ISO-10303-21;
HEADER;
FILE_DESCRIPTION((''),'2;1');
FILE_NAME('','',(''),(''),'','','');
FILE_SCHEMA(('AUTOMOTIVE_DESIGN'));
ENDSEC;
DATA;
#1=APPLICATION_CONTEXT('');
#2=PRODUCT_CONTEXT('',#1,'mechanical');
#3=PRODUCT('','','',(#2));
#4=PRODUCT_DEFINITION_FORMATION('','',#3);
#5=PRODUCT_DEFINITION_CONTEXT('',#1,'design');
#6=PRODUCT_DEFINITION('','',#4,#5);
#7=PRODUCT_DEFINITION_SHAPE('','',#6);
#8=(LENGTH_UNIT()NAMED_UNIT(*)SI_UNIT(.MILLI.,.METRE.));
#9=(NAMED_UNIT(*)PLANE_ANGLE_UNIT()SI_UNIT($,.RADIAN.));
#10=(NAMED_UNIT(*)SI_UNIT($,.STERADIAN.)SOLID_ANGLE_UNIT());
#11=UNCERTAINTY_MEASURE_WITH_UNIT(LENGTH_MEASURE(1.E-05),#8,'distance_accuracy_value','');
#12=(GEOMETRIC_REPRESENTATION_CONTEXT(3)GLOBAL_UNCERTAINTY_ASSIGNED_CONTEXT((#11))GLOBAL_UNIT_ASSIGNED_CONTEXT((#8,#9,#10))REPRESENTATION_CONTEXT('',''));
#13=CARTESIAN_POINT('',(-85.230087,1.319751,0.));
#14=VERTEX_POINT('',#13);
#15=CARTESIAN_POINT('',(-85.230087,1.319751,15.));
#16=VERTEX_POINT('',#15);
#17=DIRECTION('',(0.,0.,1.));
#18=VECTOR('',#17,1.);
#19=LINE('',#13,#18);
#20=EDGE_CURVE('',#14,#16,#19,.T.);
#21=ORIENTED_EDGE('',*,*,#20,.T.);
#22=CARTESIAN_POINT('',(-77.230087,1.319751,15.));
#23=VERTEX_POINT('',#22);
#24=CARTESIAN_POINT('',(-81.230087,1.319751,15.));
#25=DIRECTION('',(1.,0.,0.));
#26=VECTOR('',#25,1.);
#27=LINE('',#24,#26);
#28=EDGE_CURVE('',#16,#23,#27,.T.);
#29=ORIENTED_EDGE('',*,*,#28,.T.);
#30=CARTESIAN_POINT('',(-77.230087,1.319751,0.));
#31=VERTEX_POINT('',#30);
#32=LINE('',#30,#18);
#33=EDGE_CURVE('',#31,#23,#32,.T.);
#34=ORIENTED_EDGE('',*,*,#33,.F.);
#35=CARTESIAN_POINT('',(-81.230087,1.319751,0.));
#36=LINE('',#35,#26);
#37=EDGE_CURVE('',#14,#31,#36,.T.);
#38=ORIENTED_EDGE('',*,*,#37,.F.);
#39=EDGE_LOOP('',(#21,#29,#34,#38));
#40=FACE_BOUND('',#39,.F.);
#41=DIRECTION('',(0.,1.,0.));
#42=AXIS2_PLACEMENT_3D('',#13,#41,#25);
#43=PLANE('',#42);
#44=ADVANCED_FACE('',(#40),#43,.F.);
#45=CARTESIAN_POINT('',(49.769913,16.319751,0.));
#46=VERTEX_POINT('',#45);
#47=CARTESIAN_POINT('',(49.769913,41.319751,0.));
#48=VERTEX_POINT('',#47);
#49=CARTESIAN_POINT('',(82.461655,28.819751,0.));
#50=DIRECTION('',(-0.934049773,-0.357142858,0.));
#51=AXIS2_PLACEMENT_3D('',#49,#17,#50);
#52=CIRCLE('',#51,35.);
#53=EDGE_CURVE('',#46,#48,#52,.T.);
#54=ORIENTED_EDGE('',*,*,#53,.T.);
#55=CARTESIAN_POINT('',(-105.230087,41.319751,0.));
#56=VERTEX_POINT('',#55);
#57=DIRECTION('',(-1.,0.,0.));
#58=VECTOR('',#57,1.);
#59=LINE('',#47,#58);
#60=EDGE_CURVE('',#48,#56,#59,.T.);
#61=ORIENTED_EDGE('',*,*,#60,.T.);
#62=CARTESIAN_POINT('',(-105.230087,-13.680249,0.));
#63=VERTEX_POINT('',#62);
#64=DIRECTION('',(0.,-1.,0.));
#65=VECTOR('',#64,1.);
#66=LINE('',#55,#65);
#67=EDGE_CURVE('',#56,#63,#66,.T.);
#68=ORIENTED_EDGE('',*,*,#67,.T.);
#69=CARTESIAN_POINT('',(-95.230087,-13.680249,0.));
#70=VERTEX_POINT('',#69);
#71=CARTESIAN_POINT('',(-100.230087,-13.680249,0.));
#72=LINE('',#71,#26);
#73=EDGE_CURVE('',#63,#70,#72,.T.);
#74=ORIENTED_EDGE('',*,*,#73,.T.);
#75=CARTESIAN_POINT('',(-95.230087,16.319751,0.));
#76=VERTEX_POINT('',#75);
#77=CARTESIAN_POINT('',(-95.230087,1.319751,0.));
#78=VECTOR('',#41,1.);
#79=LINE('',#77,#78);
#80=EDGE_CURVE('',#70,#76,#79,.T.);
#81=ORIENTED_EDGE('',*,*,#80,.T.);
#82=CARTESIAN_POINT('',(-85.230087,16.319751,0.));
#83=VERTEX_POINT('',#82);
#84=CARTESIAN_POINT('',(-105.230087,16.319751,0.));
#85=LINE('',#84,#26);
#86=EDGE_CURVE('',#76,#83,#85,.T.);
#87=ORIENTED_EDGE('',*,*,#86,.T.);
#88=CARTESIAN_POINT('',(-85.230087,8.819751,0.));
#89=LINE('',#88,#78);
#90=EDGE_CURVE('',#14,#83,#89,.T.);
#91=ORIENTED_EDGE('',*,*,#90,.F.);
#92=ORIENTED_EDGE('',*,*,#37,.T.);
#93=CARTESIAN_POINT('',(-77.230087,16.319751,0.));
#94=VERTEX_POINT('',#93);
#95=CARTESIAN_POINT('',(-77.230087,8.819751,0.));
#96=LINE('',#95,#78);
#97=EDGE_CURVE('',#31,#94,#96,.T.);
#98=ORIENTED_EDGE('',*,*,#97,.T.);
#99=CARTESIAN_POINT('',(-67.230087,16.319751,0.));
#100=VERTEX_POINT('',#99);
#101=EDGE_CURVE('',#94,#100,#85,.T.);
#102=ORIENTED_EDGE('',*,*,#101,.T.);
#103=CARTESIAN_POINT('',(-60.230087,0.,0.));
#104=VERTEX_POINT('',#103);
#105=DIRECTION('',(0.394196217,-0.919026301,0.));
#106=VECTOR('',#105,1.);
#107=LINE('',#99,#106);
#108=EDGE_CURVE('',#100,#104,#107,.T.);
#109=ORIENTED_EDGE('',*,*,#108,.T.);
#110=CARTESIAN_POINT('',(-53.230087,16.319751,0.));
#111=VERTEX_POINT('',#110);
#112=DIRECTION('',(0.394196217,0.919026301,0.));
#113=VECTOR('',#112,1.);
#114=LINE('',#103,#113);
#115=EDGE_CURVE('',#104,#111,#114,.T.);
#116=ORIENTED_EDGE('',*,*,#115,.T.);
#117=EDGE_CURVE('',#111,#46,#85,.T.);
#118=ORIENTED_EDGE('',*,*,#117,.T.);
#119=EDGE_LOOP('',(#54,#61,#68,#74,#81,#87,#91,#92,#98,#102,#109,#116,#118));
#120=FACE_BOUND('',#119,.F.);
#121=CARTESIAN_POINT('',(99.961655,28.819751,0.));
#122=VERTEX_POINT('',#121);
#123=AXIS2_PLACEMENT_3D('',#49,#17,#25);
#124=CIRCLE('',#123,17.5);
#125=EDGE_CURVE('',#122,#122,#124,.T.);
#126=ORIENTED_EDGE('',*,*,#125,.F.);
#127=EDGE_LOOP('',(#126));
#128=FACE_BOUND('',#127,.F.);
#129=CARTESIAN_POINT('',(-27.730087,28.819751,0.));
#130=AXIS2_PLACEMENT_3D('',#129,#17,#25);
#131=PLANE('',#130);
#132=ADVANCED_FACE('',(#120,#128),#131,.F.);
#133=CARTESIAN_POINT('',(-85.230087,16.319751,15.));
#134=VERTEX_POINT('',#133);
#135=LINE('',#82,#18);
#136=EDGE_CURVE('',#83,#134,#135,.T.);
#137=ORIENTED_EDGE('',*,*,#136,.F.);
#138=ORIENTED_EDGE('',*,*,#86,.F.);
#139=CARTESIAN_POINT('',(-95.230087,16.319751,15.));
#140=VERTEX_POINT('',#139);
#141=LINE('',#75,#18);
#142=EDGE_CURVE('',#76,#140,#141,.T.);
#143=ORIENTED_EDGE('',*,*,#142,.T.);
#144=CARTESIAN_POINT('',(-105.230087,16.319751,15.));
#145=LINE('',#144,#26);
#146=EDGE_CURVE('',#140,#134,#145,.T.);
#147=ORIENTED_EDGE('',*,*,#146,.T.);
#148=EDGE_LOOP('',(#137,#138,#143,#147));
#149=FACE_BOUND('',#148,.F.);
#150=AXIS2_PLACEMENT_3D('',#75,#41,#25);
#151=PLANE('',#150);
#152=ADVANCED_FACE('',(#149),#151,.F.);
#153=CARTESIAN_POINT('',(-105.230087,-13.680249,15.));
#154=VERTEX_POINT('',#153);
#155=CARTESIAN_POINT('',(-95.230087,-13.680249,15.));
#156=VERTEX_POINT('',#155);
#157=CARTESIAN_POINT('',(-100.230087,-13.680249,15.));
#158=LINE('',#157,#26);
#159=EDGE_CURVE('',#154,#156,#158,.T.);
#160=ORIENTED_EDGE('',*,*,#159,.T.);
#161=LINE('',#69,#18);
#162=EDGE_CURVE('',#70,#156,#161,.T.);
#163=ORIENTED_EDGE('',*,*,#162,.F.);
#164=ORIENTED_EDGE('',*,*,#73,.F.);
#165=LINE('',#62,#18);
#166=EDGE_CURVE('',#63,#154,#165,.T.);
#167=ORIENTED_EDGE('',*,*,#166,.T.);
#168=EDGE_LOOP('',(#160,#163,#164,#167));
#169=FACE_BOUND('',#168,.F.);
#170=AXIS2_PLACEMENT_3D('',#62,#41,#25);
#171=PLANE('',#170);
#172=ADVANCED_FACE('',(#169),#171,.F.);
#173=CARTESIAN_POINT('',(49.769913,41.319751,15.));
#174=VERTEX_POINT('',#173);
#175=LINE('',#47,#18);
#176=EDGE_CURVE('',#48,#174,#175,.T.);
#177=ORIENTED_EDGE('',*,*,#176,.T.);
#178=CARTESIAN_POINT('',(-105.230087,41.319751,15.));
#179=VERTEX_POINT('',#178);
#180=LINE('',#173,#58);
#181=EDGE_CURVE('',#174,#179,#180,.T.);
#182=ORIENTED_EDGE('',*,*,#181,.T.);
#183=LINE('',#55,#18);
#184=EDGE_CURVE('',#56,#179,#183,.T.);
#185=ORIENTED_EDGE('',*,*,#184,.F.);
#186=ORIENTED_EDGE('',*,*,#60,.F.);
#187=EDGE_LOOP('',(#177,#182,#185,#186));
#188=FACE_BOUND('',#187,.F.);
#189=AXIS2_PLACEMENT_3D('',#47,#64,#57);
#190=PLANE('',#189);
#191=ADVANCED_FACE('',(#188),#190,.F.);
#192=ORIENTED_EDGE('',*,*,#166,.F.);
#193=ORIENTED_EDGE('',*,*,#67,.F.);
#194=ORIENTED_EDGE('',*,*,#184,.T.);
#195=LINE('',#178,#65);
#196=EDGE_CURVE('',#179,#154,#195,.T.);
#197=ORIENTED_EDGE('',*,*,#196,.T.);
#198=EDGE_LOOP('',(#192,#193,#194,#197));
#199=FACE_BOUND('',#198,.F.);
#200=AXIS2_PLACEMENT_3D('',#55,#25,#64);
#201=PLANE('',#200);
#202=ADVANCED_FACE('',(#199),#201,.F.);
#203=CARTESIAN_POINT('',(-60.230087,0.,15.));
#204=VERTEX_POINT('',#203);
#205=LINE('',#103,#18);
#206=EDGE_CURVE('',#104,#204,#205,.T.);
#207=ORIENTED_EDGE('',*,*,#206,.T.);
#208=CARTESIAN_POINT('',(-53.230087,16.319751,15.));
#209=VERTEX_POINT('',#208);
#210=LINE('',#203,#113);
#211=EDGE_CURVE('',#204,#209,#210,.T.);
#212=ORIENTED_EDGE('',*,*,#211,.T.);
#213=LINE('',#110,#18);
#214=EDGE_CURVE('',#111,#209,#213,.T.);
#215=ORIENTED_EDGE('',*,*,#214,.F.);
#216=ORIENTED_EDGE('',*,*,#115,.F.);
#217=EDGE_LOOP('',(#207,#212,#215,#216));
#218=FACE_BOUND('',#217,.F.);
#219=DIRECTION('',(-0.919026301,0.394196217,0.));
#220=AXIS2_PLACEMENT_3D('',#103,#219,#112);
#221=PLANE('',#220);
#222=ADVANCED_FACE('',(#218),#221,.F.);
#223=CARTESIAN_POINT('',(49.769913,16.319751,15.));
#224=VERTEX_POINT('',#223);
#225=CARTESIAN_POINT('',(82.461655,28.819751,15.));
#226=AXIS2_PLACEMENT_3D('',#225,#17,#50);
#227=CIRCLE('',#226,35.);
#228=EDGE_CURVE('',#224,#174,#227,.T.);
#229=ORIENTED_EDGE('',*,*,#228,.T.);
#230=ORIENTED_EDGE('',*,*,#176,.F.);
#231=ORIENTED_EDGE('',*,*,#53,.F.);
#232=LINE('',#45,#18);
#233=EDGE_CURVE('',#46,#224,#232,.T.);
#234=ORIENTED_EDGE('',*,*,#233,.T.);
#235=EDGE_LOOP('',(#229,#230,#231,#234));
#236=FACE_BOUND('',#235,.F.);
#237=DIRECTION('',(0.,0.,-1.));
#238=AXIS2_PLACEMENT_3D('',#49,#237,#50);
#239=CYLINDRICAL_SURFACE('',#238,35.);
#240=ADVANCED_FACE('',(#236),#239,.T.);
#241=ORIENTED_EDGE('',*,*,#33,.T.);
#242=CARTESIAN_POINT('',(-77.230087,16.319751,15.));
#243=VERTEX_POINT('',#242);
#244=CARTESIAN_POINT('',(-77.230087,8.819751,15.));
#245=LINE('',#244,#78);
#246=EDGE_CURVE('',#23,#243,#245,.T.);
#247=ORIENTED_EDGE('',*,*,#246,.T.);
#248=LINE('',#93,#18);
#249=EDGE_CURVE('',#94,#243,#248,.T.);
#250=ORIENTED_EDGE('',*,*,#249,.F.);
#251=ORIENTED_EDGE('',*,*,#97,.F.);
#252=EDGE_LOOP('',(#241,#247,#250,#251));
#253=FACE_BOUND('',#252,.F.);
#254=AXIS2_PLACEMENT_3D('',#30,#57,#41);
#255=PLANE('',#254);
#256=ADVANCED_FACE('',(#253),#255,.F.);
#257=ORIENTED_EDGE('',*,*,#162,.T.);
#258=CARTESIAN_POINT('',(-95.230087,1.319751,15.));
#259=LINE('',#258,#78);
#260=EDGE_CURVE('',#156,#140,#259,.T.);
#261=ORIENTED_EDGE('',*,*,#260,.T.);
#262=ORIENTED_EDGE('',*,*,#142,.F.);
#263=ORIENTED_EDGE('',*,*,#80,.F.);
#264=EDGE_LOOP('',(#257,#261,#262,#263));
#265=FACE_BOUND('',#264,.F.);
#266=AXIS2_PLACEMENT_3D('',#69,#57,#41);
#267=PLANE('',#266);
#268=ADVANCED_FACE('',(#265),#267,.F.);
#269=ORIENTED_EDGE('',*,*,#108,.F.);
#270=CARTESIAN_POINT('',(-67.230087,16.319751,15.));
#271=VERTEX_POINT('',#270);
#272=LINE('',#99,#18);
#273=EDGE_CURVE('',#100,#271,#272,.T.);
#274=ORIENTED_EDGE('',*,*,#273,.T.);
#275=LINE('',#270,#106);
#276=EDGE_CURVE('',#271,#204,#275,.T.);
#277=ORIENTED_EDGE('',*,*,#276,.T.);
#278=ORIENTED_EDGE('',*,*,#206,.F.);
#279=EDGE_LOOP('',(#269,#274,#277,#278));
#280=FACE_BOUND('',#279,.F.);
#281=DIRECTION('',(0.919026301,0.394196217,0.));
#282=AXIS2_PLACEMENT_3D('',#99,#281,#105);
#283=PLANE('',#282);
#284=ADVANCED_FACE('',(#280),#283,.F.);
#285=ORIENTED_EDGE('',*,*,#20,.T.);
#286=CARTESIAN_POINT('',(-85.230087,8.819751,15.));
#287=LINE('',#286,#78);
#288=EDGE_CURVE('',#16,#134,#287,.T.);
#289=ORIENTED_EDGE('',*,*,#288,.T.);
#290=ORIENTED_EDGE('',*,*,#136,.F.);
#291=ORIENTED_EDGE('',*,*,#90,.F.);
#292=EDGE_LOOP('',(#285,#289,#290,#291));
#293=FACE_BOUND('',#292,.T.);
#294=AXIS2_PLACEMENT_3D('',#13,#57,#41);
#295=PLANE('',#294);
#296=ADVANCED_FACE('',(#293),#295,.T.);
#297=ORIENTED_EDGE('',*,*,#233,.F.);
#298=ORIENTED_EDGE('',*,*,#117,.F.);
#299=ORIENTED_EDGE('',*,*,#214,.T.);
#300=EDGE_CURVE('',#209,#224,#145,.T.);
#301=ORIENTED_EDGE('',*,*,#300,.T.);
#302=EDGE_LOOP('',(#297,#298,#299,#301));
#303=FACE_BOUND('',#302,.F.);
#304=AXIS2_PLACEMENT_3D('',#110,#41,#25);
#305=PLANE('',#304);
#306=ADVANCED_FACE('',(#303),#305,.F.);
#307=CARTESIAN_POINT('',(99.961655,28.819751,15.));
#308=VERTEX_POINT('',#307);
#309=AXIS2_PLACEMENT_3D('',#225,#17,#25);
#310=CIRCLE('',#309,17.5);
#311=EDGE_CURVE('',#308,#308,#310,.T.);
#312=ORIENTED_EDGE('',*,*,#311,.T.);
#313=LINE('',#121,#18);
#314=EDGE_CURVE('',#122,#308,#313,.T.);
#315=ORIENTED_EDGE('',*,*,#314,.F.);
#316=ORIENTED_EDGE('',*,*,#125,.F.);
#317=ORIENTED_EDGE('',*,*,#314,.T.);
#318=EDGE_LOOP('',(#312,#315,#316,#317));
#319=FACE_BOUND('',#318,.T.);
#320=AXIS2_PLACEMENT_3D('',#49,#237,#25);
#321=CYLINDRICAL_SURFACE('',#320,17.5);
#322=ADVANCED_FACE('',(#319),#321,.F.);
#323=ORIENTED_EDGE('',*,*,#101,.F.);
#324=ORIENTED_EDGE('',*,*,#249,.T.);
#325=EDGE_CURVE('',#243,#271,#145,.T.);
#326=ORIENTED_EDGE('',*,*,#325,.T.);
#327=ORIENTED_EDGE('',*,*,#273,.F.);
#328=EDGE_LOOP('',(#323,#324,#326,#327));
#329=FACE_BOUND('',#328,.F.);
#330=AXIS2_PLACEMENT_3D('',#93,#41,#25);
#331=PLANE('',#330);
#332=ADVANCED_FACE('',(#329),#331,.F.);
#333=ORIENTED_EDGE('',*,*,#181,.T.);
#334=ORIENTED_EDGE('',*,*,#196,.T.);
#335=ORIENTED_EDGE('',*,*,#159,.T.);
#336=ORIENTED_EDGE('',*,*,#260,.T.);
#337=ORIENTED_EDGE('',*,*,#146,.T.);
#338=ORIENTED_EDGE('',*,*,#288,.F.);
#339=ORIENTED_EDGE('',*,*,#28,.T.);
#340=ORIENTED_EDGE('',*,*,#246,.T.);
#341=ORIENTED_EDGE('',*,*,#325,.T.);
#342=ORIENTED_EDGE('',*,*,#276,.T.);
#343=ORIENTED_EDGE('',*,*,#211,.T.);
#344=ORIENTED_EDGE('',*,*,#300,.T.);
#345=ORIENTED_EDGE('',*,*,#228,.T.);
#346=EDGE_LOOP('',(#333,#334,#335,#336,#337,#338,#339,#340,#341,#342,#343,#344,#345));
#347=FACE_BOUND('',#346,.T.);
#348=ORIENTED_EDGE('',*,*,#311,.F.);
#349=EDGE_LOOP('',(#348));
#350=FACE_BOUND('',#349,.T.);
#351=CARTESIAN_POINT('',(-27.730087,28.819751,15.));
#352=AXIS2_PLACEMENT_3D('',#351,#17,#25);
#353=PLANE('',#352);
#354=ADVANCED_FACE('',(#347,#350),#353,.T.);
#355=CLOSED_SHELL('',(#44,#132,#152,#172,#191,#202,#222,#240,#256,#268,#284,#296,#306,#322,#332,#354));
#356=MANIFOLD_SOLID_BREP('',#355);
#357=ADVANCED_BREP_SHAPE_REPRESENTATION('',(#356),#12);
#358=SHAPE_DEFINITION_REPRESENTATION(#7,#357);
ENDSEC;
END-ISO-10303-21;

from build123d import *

# Parameters (mm, degrees)
F0_R     = 17.5
F0_W     = 10
F0_H     = 30
F0_W_2   = 8
F0_H_2   = 15
F1_DEPTH = 15


with BuildPart() as f1:
    # F0 (on Top) → F1 (new body)
    with BuildSketch(Plane.XY):
        Polygon((49.769913, 41.319751), (-105.230087, 41.319751), (-105.230087, 16.319751), (-95.230087, 16.319751), (-85.230087, 16.319751), (-77.230087, 16.319751), (-67.230087, 16.319751), (-53.230087, 16.319751), (49.769913, 16.319751), align=None)
        with BuildLine():
            ThreePointArc((49.769913, 16.319751), (117.461655, 28.819751), (49.769913, 41.319751))
            Line((49.769913, 41.319751), (49.769913, 16.319751))
        make_face()
        with Locations((82.461655, 28.819751)):
            Circle(F0_R, mode=Mode.SUBTRACT)
        with Locations((-100.230087, 1.319751)):
            Rectangle(F0_W, F0_H)
        Polygon((-60.230087, 0), (-53.230087, 16.319751), (-67.230087, 16.319751), align=None)
        with Locations((-81.230087, 8.819751)):
            Rectangle(F0_W_2, F0_H_2)
    extrude(amount=F1_DEPTH)


solid = f1.part
